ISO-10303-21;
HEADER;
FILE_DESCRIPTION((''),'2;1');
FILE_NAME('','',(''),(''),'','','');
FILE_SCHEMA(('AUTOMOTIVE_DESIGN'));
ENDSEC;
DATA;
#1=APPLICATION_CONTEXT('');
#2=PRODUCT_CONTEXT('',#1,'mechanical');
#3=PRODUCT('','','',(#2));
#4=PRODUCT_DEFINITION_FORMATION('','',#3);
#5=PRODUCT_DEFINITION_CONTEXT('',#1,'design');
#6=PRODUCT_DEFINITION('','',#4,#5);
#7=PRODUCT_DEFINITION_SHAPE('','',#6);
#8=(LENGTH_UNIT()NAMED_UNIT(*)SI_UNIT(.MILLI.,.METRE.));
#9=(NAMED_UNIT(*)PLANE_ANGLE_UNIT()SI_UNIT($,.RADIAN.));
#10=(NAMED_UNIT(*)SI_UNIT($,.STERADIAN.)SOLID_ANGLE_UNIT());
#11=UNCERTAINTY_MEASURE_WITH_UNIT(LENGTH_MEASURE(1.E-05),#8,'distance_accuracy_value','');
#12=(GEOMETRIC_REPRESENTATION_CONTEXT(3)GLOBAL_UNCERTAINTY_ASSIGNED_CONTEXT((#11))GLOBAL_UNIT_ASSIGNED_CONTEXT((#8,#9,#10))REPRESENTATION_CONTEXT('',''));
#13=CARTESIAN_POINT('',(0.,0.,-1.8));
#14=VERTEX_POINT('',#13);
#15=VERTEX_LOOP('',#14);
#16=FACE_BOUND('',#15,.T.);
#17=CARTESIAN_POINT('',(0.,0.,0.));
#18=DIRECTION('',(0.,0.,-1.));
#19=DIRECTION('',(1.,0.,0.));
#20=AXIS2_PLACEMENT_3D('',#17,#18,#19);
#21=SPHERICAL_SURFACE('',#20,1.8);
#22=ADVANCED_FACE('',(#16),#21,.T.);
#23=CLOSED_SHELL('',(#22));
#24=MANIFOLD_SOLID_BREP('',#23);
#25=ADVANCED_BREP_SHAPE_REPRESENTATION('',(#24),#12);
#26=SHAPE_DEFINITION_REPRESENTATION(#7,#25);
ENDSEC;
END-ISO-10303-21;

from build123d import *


with BuildPart() as part:
    # Sketch1 → Revolve1 (revolve)
    with BuildSketch(Plane(origin=(0, 0, 0), x_dir=(1, 0, 0), z_dir=(0, 1, 0))):
        with BuildLine():
            Line((0, 1.8), (0, -1.8))
            ThreePointArc((0, -1.8), (-1.8, 0), (0, 1.8))
        make_face()
    revolve(axis=Axis((0, 0, -1.8), (0, 0, 1)))


solid = part.part
